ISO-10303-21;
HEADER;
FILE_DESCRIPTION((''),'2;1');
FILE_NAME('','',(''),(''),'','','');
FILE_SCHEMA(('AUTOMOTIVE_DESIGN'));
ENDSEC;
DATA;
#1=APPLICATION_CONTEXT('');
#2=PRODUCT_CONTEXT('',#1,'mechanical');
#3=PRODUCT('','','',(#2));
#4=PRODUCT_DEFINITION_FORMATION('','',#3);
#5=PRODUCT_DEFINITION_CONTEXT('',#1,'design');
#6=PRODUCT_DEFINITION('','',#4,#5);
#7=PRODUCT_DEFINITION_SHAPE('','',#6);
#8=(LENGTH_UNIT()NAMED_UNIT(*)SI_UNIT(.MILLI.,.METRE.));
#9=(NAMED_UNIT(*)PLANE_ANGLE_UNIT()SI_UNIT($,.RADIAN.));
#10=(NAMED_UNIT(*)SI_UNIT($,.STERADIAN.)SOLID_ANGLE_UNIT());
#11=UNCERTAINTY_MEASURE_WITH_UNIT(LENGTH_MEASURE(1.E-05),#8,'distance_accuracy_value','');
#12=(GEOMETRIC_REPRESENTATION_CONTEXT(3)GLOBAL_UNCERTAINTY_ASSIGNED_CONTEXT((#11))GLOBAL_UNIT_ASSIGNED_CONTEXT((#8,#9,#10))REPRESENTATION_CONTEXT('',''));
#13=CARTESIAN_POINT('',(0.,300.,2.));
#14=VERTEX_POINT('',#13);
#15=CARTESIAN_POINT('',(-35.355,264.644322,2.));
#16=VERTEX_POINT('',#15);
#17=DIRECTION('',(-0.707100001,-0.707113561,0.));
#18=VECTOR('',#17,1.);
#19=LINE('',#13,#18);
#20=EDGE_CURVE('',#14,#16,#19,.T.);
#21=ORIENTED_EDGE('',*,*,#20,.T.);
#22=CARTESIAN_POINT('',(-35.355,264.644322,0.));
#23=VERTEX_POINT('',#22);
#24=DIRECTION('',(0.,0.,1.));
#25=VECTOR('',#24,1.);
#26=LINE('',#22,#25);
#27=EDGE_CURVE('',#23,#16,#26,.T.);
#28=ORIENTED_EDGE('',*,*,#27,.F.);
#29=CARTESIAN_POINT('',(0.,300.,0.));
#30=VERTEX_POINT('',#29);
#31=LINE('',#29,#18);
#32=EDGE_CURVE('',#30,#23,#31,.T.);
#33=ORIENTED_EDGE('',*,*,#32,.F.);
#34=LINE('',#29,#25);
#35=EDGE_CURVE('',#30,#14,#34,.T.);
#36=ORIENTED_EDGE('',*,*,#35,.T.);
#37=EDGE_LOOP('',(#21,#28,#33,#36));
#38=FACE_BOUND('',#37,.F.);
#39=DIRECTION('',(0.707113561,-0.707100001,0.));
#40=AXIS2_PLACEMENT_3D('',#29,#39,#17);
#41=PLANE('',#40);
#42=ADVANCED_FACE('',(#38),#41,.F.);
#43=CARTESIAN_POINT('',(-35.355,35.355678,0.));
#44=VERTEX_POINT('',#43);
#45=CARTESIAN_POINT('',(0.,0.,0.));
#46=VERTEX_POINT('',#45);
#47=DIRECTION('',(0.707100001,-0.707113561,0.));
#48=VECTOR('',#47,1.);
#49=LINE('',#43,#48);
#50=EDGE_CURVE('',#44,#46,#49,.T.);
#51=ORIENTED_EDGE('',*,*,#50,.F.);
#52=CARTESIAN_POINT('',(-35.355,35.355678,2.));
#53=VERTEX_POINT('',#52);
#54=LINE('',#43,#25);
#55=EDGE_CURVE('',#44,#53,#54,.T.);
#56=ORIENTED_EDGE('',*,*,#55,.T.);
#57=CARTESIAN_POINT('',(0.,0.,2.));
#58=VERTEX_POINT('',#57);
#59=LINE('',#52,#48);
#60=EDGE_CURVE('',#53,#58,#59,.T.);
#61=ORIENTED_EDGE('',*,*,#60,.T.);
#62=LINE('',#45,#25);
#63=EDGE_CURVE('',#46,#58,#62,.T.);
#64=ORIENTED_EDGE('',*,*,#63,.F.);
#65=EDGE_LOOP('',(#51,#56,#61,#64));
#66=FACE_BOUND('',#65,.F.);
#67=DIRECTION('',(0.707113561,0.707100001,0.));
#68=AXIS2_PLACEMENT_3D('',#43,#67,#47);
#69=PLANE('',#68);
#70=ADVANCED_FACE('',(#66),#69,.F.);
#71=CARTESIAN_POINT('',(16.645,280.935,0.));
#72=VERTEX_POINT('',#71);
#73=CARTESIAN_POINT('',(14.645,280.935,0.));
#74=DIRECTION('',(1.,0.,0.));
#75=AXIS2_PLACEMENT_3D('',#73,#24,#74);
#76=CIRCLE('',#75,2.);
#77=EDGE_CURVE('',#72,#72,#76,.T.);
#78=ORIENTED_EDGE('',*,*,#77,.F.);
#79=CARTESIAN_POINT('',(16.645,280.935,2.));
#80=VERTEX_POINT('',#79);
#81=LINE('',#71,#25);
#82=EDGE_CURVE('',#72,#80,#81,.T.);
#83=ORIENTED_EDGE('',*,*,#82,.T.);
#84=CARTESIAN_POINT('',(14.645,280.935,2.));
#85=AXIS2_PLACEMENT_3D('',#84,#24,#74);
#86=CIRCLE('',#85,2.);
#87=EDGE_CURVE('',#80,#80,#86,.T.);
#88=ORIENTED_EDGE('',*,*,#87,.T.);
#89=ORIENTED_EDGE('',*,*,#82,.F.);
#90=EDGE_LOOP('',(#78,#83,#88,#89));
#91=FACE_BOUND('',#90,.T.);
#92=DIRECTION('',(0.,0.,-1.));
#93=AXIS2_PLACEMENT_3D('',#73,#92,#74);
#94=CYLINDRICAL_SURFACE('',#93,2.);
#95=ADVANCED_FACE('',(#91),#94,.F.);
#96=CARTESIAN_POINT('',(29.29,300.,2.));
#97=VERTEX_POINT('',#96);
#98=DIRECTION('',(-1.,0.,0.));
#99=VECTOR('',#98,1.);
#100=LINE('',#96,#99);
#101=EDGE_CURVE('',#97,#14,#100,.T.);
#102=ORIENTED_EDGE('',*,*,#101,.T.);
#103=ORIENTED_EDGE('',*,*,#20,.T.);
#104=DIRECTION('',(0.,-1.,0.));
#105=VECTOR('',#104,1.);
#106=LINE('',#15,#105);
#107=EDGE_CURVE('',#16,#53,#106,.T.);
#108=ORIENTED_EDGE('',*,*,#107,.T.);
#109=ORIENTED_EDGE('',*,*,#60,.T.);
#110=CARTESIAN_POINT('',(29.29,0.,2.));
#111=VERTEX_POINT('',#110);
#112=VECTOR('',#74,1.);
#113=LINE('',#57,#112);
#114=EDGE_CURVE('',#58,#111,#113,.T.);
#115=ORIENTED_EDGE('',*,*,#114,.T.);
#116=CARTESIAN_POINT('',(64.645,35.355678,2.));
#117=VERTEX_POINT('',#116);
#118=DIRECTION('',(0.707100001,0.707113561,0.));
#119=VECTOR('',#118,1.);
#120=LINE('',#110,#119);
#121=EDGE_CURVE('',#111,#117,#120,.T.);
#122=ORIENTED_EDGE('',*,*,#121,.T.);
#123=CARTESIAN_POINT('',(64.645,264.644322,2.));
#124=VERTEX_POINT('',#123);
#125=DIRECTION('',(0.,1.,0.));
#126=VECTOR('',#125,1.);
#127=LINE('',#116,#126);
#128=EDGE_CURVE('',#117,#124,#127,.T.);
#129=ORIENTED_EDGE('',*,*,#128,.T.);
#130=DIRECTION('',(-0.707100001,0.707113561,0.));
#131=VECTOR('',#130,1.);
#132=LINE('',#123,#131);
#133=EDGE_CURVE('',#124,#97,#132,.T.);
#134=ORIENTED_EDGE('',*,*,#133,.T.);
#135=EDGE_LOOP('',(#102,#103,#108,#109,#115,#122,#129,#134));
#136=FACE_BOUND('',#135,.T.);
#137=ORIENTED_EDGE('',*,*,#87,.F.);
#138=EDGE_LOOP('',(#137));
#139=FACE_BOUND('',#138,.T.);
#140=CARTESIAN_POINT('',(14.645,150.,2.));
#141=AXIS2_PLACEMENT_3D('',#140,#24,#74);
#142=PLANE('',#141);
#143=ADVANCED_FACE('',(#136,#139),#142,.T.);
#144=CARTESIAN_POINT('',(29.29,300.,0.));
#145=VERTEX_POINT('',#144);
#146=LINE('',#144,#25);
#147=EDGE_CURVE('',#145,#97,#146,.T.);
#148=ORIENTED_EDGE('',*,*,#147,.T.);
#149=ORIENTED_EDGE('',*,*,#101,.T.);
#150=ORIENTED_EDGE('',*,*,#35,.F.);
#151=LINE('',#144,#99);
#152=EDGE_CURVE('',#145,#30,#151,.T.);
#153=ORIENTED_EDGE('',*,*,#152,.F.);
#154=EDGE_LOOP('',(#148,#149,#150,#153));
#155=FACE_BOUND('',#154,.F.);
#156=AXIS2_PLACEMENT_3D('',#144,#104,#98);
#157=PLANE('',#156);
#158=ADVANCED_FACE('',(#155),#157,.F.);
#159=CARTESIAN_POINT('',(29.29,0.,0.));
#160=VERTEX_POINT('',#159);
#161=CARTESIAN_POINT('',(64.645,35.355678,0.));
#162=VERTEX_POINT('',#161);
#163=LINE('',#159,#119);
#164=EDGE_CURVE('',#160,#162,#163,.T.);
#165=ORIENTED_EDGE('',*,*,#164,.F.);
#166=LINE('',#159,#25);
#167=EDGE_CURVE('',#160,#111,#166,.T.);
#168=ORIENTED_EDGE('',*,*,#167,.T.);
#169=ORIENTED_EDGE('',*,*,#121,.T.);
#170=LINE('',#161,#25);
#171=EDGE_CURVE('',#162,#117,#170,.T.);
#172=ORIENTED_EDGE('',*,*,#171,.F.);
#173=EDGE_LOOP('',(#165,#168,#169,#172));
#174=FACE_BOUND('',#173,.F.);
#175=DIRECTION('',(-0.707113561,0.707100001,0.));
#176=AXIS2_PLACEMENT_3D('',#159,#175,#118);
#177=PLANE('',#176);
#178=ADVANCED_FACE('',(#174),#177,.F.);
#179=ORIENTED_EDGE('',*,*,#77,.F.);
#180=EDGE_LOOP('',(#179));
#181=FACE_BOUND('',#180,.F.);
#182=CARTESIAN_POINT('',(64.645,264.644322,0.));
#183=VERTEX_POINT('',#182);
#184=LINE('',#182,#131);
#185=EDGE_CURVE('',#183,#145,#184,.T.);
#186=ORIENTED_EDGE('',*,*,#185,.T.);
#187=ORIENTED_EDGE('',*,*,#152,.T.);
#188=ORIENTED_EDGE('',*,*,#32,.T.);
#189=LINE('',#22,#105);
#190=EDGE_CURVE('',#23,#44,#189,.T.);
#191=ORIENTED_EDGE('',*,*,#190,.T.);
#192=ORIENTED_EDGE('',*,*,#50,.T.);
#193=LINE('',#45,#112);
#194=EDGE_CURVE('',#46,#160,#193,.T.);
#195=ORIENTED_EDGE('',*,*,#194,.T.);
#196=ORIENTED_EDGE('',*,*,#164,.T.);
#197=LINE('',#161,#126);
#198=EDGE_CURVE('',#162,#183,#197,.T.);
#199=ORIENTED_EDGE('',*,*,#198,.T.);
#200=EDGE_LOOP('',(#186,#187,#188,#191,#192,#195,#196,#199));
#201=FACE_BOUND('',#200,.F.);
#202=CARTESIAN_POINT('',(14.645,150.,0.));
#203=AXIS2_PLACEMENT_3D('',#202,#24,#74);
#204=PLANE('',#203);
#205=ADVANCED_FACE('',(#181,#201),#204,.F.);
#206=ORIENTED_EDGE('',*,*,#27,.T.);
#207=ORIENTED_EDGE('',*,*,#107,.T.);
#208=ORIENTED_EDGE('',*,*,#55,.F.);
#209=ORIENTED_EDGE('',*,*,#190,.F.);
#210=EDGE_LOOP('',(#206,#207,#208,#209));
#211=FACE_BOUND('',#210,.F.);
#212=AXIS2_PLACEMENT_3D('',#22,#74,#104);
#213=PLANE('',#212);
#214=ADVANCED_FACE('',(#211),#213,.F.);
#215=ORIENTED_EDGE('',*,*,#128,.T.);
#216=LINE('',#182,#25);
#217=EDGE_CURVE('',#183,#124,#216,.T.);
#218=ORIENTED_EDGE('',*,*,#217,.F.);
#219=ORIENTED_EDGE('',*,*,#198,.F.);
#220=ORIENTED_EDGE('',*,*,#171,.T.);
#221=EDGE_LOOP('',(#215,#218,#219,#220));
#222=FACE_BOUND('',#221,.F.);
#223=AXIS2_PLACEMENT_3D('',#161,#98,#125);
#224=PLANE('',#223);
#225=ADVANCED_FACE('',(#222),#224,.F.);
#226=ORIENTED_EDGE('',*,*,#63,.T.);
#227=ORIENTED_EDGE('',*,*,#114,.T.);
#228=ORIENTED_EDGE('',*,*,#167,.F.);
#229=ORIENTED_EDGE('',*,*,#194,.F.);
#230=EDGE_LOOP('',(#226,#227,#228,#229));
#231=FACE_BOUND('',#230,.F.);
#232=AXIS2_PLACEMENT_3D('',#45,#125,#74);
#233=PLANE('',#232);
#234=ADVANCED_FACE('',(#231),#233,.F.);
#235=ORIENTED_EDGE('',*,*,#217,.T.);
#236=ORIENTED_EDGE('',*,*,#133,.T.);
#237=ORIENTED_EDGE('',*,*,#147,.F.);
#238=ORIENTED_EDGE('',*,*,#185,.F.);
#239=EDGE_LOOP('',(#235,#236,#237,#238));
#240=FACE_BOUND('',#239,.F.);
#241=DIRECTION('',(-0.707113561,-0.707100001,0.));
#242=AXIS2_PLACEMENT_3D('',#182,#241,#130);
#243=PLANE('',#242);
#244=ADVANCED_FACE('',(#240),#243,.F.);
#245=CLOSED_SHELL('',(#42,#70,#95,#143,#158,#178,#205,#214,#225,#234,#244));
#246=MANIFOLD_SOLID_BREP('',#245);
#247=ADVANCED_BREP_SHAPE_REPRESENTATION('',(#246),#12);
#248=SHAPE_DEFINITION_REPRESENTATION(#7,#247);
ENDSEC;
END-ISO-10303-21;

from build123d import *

# Parameters (mm, degrees)
F0_R     = 2
F1_DEPTH = 2


with BuildPart() as f1:
    # F0 (on Top) → F1 (new body)
    with BuildSketch(Plane.XY):
        Polygon((-35.355, 35.355678), (0, 0), (29.29, 0), (64.645, 35.355678), (64.645, 264.644322), (29.29, 300), (0, 300), (-35.355, 264.644322), align=None)
        with Locations((14.645, 280.935)):
            Circle(F0_R, mode=Mode.SUBTRACT)
    extrude(amount=F1_DEPTH)


solid = f1.part
